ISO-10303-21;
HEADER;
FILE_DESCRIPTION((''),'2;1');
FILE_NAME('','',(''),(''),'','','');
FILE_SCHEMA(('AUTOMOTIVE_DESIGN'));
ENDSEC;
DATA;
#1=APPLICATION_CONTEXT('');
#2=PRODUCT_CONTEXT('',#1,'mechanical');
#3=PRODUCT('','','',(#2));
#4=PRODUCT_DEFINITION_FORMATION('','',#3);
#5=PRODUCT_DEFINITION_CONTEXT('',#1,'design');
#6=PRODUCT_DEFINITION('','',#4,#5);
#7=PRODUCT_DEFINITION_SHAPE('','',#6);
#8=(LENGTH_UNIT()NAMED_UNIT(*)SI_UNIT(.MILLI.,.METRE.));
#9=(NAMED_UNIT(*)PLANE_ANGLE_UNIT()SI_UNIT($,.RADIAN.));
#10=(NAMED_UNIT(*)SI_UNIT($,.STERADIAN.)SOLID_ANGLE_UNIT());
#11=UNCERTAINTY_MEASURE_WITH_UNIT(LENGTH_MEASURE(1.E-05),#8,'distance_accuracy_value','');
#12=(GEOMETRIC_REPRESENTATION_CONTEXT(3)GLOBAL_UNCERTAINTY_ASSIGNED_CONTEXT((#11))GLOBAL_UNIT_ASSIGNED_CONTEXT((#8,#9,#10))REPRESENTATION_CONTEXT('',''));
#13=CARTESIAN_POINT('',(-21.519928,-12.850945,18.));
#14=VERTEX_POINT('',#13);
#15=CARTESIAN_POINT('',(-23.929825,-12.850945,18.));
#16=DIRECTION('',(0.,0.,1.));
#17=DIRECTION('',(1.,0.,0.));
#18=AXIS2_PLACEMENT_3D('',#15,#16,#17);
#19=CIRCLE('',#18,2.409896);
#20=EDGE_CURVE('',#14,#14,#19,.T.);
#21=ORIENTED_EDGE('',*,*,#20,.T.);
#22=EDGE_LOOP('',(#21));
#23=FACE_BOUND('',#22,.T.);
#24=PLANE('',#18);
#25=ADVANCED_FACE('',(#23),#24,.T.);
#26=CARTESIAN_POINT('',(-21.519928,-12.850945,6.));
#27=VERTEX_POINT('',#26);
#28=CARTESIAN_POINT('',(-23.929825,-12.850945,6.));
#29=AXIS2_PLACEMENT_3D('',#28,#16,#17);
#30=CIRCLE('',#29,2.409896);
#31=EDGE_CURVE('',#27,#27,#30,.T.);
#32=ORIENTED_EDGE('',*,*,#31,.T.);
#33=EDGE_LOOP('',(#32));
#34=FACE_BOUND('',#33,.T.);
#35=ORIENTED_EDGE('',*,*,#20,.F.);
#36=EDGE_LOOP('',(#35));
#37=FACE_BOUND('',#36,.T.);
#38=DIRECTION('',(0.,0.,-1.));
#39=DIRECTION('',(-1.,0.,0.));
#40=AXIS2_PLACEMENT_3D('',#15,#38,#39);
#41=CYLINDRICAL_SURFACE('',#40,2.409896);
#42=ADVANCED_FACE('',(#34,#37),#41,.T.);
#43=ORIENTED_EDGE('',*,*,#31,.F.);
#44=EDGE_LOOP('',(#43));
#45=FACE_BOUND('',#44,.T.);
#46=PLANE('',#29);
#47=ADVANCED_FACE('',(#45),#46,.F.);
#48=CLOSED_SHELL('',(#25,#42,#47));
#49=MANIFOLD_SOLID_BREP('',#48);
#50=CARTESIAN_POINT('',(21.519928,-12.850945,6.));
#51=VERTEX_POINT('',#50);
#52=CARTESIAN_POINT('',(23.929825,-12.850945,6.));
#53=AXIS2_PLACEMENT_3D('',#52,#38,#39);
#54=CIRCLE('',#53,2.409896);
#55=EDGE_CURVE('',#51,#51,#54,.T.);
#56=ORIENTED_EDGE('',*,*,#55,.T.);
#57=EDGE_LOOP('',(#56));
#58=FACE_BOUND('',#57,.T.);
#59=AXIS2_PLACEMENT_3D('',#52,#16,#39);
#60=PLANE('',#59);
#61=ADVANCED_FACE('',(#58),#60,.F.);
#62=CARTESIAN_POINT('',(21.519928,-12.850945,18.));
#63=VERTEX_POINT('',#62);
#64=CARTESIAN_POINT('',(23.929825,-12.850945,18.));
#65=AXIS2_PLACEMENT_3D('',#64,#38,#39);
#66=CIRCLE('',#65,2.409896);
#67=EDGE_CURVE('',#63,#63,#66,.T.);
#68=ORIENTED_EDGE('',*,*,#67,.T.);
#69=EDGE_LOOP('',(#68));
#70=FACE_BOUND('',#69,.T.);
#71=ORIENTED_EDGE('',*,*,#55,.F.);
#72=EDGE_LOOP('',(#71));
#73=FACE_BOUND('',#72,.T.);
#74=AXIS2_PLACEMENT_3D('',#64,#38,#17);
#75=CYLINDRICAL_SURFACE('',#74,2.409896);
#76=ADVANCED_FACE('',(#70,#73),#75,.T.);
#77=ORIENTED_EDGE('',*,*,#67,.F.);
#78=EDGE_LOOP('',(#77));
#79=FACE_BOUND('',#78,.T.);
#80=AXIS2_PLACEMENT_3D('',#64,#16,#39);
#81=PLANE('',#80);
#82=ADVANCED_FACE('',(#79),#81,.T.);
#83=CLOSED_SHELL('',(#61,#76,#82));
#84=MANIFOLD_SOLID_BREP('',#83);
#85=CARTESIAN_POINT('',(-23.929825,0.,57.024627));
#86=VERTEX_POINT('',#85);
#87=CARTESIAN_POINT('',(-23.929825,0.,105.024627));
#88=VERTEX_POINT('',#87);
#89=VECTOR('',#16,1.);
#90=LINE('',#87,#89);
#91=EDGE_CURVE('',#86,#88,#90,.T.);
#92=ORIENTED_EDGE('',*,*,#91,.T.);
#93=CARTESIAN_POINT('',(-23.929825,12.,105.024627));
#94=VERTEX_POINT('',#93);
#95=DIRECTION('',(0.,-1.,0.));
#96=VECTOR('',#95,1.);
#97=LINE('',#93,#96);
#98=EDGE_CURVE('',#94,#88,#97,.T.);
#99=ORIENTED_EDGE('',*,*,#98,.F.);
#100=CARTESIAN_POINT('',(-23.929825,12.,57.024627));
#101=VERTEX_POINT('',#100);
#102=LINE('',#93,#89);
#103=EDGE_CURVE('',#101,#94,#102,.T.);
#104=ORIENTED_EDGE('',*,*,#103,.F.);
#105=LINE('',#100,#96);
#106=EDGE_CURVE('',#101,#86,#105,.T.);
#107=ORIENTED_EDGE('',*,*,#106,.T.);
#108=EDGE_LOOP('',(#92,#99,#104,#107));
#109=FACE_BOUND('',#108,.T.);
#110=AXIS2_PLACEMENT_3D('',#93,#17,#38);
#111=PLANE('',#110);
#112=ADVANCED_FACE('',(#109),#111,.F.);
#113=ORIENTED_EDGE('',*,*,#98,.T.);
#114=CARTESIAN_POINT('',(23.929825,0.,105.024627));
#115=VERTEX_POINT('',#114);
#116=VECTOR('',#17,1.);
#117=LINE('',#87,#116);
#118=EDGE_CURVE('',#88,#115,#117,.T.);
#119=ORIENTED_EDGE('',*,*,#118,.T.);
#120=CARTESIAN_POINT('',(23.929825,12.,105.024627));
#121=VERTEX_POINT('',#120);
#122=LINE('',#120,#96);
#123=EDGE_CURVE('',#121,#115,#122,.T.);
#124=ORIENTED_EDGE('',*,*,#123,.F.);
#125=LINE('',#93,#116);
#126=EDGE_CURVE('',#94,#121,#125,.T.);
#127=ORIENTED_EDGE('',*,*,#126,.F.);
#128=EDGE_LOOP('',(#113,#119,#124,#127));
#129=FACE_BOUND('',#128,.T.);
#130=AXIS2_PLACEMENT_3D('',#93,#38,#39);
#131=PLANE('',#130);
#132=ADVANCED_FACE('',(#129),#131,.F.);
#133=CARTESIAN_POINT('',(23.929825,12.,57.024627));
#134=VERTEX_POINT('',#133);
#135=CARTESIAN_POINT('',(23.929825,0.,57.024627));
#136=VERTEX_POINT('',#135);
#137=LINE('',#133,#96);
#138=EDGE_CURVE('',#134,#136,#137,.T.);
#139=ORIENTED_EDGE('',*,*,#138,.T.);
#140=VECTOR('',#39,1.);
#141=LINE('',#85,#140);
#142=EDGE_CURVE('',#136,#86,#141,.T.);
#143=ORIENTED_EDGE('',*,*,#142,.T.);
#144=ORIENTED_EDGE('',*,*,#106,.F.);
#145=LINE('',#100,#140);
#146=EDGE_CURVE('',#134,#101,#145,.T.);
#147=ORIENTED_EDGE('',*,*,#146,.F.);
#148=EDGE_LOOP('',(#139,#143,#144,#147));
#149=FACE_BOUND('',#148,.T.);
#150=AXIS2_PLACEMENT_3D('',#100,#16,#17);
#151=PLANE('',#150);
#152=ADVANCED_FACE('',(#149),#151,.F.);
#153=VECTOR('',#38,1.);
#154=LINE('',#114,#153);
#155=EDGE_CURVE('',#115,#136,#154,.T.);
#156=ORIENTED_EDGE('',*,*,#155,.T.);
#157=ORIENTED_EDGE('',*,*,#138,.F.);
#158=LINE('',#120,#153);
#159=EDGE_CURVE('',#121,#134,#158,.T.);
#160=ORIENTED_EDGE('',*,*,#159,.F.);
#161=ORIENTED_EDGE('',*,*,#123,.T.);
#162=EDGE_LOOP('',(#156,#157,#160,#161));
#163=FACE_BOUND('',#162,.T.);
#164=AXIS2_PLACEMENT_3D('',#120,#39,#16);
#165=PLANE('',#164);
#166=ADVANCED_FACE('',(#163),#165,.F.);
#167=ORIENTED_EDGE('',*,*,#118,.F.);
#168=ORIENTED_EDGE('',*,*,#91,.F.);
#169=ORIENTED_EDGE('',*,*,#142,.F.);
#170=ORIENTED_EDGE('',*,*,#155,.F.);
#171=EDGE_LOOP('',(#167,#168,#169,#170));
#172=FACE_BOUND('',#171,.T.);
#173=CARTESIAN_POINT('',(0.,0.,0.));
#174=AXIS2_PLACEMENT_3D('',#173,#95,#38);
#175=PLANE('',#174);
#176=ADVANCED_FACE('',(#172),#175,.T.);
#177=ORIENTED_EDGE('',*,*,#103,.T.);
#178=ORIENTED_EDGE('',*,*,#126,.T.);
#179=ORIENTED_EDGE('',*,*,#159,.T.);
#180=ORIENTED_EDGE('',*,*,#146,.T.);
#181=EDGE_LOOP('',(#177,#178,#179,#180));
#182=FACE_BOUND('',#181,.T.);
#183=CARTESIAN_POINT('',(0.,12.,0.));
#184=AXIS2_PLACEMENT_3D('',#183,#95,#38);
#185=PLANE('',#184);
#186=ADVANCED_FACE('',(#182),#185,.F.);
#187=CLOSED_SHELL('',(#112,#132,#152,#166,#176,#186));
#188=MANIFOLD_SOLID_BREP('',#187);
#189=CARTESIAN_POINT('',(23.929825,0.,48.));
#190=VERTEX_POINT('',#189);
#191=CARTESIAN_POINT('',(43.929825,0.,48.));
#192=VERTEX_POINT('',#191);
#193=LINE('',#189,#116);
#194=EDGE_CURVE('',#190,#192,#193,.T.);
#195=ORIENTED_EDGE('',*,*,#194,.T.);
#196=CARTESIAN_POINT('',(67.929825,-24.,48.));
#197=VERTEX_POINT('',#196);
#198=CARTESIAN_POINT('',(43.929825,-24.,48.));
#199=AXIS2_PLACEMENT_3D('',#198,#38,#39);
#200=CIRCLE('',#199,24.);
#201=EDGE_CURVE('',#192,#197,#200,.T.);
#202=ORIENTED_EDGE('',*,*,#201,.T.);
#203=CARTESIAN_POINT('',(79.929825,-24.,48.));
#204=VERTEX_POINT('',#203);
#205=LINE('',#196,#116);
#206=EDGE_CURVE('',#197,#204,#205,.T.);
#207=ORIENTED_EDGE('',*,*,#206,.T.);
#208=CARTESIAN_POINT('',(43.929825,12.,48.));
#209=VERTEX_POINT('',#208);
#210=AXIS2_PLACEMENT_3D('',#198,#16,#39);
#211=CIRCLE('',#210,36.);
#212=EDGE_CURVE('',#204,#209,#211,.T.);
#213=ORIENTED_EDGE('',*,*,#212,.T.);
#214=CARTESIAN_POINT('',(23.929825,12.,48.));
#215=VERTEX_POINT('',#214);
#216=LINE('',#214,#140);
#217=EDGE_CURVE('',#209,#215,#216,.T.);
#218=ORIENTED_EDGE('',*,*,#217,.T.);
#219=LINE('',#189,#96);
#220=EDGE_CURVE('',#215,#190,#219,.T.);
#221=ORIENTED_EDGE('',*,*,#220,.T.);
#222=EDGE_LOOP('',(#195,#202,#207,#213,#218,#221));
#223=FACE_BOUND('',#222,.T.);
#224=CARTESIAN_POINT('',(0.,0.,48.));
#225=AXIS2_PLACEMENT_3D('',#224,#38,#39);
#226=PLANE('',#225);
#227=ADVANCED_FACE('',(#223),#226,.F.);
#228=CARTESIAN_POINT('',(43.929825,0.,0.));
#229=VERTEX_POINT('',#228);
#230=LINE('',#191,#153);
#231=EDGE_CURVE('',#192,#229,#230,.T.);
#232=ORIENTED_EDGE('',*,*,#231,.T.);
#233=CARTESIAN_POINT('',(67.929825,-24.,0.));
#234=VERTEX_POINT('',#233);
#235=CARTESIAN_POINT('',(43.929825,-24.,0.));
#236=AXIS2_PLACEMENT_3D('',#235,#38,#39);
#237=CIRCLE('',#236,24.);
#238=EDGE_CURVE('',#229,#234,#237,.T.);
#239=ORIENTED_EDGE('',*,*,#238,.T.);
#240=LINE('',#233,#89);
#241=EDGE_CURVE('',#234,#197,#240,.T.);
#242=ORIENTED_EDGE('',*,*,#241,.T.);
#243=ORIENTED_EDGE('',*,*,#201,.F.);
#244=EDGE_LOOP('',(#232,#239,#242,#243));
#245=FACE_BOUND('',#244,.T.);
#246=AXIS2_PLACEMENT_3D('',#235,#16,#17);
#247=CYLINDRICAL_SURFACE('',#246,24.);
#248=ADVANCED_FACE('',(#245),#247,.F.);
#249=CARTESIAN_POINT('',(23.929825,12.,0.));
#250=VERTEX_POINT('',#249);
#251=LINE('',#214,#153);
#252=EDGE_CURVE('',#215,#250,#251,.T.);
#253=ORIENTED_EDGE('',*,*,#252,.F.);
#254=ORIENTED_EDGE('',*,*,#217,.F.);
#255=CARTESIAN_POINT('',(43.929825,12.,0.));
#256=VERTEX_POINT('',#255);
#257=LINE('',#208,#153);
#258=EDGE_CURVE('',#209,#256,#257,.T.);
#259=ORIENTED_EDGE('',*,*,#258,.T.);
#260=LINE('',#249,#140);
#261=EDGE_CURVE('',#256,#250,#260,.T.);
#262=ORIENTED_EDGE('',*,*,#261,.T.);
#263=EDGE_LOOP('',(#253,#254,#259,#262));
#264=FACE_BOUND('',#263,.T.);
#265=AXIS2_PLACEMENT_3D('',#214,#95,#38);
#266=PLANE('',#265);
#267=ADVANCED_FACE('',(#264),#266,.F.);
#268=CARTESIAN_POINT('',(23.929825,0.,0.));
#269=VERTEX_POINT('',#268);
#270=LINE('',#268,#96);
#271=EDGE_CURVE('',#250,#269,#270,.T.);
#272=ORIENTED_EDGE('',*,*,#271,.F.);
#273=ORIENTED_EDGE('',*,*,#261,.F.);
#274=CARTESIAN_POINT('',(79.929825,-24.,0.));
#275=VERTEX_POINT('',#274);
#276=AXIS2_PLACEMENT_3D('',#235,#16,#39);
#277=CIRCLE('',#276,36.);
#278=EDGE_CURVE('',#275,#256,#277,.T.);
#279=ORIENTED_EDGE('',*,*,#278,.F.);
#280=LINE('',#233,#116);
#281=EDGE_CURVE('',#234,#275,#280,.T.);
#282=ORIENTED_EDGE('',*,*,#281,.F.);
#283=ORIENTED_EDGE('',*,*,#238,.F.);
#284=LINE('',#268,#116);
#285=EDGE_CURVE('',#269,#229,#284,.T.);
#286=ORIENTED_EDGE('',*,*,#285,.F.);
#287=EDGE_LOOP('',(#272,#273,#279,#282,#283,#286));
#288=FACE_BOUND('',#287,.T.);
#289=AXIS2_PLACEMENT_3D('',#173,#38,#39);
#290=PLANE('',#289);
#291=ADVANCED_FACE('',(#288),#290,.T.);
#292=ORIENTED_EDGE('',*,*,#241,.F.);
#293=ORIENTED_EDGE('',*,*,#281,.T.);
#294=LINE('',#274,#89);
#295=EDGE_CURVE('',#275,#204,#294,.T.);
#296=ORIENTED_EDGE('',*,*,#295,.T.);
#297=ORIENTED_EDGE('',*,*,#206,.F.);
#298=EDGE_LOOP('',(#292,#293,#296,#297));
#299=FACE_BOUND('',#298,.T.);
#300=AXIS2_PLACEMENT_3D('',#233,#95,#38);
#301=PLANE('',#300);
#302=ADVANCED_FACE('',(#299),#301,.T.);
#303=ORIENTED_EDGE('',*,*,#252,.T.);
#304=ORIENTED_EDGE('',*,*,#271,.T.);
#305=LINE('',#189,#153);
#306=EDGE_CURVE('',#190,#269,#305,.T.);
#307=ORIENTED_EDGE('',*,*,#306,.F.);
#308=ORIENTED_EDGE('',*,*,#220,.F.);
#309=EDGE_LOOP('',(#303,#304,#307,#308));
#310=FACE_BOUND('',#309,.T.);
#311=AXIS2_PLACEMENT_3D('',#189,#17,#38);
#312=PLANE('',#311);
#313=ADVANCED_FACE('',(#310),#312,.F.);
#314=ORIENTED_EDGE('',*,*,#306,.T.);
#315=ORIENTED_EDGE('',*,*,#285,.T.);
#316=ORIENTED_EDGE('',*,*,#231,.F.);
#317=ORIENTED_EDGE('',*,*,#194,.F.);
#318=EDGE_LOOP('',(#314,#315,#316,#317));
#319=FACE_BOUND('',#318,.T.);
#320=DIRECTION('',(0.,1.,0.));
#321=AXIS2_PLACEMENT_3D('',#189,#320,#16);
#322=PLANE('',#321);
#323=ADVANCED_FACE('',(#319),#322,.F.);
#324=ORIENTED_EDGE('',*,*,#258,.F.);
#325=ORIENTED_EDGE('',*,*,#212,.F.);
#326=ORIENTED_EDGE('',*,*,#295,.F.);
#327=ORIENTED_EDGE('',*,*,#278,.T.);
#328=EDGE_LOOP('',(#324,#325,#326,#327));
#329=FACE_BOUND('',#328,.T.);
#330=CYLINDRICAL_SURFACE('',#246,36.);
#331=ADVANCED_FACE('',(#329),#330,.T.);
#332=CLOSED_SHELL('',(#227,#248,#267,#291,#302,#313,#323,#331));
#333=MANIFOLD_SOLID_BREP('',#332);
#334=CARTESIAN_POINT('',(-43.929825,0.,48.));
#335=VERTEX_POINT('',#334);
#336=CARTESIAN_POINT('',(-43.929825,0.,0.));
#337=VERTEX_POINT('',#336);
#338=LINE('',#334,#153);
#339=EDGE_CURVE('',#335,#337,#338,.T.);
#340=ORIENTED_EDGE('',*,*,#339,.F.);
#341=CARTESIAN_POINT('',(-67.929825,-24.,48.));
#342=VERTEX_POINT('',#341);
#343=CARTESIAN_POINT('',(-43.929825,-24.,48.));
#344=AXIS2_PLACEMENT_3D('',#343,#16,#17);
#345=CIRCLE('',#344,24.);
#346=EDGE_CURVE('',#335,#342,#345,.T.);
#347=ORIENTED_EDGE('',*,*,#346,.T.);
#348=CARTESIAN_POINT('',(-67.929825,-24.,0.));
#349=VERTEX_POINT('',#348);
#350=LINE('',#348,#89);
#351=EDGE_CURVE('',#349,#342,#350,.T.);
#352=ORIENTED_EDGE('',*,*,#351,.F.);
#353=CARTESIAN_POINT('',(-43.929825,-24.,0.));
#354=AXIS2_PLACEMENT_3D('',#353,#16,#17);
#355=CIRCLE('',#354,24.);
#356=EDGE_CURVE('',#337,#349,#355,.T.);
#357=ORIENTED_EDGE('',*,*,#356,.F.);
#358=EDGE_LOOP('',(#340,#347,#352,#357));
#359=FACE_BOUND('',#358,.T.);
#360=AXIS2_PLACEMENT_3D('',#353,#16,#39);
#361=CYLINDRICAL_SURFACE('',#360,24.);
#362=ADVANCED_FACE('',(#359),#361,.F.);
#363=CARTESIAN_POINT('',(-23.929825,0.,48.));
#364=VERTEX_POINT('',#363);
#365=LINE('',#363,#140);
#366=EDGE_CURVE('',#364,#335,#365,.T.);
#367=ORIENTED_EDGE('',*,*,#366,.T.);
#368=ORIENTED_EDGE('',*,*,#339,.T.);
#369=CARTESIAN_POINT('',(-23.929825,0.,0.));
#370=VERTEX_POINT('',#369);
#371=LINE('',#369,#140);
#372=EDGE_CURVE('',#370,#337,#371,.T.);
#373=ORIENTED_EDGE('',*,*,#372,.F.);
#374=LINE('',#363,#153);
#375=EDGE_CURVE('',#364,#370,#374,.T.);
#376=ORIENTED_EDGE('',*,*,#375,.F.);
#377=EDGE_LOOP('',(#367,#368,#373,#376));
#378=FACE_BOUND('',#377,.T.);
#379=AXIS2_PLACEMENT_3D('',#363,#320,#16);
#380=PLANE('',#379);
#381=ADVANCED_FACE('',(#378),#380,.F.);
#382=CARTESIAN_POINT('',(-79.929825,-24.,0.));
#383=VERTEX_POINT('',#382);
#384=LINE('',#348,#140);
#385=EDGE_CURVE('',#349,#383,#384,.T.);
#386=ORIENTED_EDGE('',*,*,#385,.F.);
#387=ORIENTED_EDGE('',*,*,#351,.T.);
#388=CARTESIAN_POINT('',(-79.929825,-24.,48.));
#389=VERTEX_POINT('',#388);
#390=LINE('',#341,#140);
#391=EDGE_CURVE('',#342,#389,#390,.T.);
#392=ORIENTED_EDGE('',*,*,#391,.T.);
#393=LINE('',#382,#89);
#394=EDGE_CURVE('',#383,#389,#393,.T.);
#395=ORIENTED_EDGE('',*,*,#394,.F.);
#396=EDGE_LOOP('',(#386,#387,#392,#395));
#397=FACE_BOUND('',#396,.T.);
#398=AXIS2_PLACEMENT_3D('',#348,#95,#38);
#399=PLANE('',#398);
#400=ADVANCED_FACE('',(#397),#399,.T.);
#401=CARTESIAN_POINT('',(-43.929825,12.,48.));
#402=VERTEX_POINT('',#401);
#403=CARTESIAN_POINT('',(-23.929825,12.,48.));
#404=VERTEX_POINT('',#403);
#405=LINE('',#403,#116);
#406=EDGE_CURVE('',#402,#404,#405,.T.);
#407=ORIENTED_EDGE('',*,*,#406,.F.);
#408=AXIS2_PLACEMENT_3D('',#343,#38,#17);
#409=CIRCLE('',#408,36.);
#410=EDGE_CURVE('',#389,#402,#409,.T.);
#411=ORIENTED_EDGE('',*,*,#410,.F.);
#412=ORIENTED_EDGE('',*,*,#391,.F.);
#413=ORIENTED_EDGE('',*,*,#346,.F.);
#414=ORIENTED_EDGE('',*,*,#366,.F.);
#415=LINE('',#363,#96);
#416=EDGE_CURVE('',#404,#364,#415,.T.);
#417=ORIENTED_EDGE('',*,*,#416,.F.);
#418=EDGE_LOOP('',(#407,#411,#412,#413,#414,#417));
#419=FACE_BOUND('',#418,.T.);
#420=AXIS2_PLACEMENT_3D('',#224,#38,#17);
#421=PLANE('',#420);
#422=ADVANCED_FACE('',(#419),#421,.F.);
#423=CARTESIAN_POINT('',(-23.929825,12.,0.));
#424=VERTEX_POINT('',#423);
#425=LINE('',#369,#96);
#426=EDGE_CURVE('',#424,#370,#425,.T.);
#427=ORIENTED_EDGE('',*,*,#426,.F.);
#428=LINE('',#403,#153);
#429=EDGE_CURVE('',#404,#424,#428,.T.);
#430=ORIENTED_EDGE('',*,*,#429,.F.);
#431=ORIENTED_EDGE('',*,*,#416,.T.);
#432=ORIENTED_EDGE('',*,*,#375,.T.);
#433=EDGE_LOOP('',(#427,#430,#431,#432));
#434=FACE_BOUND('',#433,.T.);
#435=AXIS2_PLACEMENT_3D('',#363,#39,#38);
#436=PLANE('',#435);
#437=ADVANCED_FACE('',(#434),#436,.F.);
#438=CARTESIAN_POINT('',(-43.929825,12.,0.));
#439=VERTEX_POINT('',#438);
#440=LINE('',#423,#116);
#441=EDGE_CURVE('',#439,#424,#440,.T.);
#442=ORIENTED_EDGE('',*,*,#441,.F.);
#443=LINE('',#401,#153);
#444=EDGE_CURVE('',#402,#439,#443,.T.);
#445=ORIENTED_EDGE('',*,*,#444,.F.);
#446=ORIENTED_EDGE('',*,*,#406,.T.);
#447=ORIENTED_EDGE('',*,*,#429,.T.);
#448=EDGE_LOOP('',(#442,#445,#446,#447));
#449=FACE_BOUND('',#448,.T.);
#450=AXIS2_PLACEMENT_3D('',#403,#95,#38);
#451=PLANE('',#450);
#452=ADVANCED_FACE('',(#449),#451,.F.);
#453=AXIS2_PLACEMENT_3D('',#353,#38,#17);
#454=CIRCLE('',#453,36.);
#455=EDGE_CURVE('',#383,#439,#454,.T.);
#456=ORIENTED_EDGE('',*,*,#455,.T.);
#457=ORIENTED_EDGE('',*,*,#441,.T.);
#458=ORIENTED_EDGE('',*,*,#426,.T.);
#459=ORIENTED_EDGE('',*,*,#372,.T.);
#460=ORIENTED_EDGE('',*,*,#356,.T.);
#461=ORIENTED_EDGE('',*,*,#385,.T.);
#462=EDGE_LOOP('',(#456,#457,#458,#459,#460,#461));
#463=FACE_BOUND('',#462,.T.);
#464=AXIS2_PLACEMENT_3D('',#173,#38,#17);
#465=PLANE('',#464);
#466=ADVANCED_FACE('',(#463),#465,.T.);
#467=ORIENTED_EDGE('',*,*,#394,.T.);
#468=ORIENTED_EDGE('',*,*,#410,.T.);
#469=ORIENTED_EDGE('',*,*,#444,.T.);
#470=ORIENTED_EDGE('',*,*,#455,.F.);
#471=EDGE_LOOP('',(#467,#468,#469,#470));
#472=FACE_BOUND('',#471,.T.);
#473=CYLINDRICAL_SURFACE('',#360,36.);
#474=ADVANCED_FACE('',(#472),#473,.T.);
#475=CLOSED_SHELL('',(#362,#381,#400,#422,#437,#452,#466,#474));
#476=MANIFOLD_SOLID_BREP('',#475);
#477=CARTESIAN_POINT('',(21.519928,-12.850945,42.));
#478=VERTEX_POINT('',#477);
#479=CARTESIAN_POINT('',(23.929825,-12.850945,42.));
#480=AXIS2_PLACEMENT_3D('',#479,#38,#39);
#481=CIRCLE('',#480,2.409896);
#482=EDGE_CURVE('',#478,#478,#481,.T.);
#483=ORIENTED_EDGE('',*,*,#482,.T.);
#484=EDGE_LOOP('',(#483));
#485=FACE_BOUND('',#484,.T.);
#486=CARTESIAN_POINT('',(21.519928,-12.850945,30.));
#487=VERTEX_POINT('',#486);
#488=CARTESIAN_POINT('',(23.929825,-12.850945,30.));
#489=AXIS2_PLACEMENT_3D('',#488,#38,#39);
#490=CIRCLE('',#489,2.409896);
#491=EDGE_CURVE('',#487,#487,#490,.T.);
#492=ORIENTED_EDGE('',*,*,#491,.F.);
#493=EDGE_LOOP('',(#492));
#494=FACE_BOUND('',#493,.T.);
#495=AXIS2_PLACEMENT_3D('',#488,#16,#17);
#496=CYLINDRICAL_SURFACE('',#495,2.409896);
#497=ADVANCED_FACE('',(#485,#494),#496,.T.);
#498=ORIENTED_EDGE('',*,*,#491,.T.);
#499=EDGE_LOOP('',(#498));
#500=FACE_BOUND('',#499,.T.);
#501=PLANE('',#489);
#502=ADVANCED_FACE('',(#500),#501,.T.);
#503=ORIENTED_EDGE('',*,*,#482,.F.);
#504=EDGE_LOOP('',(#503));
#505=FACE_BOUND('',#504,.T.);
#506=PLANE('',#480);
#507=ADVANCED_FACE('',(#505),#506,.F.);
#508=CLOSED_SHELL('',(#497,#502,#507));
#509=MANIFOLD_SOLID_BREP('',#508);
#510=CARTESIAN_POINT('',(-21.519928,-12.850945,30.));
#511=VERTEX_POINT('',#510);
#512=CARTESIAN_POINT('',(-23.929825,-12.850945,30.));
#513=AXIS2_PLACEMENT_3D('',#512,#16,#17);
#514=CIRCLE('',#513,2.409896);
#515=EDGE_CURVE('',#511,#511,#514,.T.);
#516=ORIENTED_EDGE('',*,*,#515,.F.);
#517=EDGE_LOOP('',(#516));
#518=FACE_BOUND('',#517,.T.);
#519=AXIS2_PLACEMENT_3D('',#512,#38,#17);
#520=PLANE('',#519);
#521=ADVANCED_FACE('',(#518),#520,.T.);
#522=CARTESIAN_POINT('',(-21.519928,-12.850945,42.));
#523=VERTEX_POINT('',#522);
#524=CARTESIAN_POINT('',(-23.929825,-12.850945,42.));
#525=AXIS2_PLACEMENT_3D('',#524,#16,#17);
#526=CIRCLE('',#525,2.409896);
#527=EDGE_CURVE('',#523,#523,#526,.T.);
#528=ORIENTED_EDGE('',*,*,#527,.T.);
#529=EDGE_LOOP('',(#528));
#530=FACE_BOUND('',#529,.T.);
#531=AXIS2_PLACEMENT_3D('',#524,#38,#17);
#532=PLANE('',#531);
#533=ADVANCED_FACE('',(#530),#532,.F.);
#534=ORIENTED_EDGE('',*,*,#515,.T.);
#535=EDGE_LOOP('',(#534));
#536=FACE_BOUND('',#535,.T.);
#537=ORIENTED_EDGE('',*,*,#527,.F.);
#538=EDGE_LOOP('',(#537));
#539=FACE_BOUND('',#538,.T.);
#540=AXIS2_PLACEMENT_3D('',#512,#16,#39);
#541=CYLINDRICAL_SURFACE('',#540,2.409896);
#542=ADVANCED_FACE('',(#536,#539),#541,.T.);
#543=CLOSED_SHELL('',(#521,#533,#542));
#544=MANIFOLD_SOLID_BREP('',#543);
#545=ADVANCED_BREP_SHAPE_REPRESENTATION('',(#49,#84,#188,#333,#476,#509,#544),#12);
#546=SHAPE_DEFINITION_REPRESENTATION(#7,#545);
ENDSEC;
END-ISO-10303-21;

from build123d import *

# Parameters (mm, degrees)
SKETCH_2_W      = 20
SKETCH_2_H      = 12
EXTRUDE_2_DEPTH = 48
EXTRUDE_4_DEPTH = 48
SKETCH_13_W     = 47.859649122
SKETCH_13_H     = 48
EXTRUDE_5_DEPTH = 12
EXTRUDE_START   = 6
SKETCH_15_R     = 2.409896086
EXTRUDE_6_DEPTH = 12


with BuildPart() as part:
    # 草图2 → 凸台-拉伸2 (new body)
    with BuildSketch(Plane.XY):
        with Locations((33.929824561, 6)):
            Rectangle(SKETCH_2_W, SKETCH_2_H)
    extrude(amount=EXTRUDE_2_DEPTH)

    # 草图9 → 凸台-拉伸4 (add)
    with BuildSketch(Plane.XY.offset(48)):
        with BuildLine():
            Line((67.929824561, -24), (79.929824561, -24))
            ThreePointArc((79.929824561, -24), (69.385668684, 1.455844123), (43.929824561, 12))
            Line((43.929824561, 12), (43.929824561, 0))
            ThreePointArc((43.929824561, 0), (60.90038731, -7.029437252), (67.929824561, -24))
        make_face()
    extrude(amount=-EXTRUDE_4_DEPTH)


with BuildPart() as body_2:
    # 镜向10: mirrored copy
    add(part.part.mirror(Plane(origin=(0, 0, 0), x_dir=(0, 0, 1), z_dir=(1, 0, 0))))


with BuildPart() as body_3:
    # 草图13 → 凸台-拉伸5 (new body)
    with BuildSketch(Plane(origin=(0, 0, 0), x_dir=(1, 0, 0), z_dir=(0, 1, 0))):
        with Locations((0, -81.024626709)):
            Rectangle(SKETCH_13_W, SKETCH_13_H)
    extrude(amount=EXTRUDE_5_DEPTH)


with BuildPart() as body_4:
    # 草图15 → 凸台-拉伸6 (new body)
    with BuildSketch(Plane.XY.offset(EXTRUDE_START)):
        with Locations((-23.929824561, -12.850945387)):
            Circle(SKETCH_15_R)
    extrude(amount=EXTRUDE_6_DEPTH)


with BuildPart() as body_5:
    # 镜向11: mirrored copy
    add(body_4.part.mirror(Plane.XY.offset(24)))


with BuildPart() as body_6:
    # 镜向13: mirrored copy
    add(body_4.part.mirror(Plane(origin=(0, 0, 0), x_dir=(0, 0, 1), z_dir=(1, 0, 0))))


with BuildPart() as body_7:
    # Mirror 13 2: mirrored copy
    add(body_5.part.mirror(Plane(origin=(0, 0, 0), x_dir=(0, 0, 1), z_dir=(1, 0, 0))))


solid = Compound([part.part, body_2.part, body_3.part, body_4.part, body_5.part, body_6.part, body_7.part])
